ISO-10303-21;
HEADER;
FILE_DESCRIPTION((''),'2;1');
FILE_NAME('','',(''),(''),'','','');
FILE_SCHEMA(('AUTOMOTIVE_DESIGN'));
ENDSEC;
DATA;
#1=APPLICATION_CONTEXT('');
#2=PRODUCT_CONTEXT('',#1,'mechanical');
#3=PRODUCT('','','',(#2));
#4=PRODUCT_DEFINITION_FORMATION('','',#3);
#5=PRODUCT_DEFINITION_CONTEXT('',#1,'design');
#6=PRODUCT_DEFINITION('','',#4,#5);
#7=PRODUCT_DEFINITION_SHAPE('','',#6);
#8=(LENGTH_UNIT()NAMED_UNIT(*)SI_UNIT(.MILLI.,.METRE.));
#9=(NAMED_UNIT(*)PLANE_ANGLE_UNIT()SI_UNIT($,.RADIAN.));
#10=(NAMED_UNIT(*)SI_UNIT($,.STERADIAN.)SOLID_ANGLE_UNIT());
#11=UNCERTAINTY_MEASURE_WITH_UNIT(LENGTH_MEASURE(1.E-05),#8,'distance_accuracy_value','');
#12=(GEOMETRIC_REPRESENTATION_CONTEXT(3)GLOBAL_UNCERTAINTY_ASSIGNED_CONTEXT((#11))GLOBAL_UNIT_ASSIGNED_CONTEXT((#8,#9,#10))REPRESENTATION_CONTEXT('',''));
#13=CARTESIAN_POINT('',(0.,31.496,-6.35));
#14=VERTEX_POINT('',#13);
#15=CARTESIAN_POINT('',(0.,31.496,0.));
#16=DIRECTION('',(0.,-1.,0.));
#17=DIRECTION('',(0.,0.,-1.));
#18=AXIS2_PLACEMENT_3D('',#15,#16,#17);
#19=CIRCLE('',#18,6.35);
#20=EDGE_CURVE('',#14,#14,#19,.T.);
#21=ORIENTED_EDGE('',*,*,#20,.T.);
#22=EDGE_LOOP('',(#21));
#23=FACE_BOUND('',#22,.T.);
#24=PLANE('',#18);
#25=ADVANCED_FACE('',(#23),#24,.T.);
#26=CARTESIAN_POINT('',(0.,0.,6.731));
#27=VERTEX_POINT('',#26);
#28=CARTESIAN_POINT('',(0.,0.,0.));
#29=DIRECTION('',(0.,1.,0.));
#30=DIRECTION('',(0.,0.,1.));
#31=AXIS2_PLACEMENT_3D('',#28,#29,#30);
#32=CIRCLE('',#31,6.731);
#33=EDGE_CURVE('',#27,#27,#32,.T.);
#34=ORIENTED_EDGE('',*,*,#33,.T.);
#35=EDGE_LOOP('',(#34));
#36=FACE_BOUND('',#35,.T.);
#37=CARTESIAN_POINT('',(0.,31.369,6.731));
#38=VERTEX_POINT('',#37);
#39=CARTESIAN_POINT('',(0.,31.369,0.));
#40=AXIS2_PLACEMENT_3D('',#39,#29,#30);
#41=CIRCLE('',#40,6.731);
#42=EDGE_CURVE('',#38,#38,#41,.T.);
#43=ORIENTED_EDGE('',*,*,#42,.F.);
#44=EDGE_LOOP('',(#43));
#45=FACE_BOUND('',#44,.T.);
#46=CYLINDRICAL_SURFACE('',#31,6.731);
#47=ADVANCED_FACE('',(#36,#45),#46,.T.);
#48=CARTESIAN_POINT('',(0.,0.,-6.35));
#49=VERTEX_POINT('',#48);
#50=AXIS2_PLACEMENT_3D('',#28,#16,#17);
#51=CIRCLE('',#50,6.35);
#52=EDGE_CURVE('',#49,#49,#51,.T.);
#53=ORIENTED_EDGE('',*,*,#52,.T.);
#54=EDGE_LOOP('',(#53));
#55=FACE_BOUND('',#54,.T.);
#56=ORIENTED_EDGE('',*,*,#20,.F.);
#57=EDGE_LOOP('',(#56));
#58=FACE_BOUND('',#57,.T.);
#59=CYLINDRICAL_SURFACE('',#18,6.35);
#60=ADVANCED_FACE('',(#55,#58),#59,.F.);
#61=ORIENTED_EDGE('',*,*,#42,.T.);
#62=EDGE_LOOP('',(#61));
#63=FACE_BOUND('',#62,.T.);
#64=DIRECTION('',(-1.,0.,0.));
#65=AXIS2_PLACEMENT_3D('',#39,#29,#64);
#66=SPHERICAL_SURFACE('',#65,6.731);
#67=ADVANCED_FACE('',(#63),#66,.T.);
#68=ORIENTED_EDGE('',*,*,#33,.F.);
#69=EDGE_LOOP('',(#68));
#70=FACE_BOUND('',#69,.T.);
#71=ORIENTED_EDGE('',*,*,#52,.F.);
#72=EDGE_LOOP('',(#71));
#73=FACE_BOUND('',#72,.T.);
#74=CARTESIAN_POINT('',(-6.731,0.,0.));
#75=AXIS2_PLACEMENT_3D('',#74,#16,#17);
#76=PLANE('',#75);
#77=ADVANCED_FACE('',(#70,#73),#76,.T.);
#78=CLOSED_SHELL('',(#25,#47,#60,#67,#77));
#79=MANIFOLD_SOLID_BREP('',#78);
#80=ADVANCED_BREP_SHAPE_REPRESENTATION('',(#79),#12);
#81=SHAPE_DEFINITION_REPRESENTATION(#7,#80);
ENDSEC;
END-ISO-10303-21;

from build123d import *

# Parameters (mm, degrees)
SKETCH2_R          = 6.35
CUT_EXTRUDE1_DEPTH = 31.496


with BuildPart() as part:
    # Sketch1 → Revolve1 (revolve)
    with BuildSketch(Plane.XY):
        with BuildLine():
            Line((-6.731, 0), (-6.731, 31.369))
            ThreePointArc((-6.731, 31.369), (-4.759535744, 36.128535744), (0, 38.1))
            Line((0, 38.1), (0, 0))
            Line((0, 0), (-6.731, 0))
        make_face()
    revolve(axis=Axis((0, 0, 0), (0, -1, 0)))

    # Sketch2 → Cut-Extrude1 (cut)
    with BuildSketch(Plane.XZ):
        Circle(SKETCH2_R)
    extrude(amount=-CUT_EXTRUDE1_DEPTH, mode=Mode.SUBTRACT)


solid = part.part
